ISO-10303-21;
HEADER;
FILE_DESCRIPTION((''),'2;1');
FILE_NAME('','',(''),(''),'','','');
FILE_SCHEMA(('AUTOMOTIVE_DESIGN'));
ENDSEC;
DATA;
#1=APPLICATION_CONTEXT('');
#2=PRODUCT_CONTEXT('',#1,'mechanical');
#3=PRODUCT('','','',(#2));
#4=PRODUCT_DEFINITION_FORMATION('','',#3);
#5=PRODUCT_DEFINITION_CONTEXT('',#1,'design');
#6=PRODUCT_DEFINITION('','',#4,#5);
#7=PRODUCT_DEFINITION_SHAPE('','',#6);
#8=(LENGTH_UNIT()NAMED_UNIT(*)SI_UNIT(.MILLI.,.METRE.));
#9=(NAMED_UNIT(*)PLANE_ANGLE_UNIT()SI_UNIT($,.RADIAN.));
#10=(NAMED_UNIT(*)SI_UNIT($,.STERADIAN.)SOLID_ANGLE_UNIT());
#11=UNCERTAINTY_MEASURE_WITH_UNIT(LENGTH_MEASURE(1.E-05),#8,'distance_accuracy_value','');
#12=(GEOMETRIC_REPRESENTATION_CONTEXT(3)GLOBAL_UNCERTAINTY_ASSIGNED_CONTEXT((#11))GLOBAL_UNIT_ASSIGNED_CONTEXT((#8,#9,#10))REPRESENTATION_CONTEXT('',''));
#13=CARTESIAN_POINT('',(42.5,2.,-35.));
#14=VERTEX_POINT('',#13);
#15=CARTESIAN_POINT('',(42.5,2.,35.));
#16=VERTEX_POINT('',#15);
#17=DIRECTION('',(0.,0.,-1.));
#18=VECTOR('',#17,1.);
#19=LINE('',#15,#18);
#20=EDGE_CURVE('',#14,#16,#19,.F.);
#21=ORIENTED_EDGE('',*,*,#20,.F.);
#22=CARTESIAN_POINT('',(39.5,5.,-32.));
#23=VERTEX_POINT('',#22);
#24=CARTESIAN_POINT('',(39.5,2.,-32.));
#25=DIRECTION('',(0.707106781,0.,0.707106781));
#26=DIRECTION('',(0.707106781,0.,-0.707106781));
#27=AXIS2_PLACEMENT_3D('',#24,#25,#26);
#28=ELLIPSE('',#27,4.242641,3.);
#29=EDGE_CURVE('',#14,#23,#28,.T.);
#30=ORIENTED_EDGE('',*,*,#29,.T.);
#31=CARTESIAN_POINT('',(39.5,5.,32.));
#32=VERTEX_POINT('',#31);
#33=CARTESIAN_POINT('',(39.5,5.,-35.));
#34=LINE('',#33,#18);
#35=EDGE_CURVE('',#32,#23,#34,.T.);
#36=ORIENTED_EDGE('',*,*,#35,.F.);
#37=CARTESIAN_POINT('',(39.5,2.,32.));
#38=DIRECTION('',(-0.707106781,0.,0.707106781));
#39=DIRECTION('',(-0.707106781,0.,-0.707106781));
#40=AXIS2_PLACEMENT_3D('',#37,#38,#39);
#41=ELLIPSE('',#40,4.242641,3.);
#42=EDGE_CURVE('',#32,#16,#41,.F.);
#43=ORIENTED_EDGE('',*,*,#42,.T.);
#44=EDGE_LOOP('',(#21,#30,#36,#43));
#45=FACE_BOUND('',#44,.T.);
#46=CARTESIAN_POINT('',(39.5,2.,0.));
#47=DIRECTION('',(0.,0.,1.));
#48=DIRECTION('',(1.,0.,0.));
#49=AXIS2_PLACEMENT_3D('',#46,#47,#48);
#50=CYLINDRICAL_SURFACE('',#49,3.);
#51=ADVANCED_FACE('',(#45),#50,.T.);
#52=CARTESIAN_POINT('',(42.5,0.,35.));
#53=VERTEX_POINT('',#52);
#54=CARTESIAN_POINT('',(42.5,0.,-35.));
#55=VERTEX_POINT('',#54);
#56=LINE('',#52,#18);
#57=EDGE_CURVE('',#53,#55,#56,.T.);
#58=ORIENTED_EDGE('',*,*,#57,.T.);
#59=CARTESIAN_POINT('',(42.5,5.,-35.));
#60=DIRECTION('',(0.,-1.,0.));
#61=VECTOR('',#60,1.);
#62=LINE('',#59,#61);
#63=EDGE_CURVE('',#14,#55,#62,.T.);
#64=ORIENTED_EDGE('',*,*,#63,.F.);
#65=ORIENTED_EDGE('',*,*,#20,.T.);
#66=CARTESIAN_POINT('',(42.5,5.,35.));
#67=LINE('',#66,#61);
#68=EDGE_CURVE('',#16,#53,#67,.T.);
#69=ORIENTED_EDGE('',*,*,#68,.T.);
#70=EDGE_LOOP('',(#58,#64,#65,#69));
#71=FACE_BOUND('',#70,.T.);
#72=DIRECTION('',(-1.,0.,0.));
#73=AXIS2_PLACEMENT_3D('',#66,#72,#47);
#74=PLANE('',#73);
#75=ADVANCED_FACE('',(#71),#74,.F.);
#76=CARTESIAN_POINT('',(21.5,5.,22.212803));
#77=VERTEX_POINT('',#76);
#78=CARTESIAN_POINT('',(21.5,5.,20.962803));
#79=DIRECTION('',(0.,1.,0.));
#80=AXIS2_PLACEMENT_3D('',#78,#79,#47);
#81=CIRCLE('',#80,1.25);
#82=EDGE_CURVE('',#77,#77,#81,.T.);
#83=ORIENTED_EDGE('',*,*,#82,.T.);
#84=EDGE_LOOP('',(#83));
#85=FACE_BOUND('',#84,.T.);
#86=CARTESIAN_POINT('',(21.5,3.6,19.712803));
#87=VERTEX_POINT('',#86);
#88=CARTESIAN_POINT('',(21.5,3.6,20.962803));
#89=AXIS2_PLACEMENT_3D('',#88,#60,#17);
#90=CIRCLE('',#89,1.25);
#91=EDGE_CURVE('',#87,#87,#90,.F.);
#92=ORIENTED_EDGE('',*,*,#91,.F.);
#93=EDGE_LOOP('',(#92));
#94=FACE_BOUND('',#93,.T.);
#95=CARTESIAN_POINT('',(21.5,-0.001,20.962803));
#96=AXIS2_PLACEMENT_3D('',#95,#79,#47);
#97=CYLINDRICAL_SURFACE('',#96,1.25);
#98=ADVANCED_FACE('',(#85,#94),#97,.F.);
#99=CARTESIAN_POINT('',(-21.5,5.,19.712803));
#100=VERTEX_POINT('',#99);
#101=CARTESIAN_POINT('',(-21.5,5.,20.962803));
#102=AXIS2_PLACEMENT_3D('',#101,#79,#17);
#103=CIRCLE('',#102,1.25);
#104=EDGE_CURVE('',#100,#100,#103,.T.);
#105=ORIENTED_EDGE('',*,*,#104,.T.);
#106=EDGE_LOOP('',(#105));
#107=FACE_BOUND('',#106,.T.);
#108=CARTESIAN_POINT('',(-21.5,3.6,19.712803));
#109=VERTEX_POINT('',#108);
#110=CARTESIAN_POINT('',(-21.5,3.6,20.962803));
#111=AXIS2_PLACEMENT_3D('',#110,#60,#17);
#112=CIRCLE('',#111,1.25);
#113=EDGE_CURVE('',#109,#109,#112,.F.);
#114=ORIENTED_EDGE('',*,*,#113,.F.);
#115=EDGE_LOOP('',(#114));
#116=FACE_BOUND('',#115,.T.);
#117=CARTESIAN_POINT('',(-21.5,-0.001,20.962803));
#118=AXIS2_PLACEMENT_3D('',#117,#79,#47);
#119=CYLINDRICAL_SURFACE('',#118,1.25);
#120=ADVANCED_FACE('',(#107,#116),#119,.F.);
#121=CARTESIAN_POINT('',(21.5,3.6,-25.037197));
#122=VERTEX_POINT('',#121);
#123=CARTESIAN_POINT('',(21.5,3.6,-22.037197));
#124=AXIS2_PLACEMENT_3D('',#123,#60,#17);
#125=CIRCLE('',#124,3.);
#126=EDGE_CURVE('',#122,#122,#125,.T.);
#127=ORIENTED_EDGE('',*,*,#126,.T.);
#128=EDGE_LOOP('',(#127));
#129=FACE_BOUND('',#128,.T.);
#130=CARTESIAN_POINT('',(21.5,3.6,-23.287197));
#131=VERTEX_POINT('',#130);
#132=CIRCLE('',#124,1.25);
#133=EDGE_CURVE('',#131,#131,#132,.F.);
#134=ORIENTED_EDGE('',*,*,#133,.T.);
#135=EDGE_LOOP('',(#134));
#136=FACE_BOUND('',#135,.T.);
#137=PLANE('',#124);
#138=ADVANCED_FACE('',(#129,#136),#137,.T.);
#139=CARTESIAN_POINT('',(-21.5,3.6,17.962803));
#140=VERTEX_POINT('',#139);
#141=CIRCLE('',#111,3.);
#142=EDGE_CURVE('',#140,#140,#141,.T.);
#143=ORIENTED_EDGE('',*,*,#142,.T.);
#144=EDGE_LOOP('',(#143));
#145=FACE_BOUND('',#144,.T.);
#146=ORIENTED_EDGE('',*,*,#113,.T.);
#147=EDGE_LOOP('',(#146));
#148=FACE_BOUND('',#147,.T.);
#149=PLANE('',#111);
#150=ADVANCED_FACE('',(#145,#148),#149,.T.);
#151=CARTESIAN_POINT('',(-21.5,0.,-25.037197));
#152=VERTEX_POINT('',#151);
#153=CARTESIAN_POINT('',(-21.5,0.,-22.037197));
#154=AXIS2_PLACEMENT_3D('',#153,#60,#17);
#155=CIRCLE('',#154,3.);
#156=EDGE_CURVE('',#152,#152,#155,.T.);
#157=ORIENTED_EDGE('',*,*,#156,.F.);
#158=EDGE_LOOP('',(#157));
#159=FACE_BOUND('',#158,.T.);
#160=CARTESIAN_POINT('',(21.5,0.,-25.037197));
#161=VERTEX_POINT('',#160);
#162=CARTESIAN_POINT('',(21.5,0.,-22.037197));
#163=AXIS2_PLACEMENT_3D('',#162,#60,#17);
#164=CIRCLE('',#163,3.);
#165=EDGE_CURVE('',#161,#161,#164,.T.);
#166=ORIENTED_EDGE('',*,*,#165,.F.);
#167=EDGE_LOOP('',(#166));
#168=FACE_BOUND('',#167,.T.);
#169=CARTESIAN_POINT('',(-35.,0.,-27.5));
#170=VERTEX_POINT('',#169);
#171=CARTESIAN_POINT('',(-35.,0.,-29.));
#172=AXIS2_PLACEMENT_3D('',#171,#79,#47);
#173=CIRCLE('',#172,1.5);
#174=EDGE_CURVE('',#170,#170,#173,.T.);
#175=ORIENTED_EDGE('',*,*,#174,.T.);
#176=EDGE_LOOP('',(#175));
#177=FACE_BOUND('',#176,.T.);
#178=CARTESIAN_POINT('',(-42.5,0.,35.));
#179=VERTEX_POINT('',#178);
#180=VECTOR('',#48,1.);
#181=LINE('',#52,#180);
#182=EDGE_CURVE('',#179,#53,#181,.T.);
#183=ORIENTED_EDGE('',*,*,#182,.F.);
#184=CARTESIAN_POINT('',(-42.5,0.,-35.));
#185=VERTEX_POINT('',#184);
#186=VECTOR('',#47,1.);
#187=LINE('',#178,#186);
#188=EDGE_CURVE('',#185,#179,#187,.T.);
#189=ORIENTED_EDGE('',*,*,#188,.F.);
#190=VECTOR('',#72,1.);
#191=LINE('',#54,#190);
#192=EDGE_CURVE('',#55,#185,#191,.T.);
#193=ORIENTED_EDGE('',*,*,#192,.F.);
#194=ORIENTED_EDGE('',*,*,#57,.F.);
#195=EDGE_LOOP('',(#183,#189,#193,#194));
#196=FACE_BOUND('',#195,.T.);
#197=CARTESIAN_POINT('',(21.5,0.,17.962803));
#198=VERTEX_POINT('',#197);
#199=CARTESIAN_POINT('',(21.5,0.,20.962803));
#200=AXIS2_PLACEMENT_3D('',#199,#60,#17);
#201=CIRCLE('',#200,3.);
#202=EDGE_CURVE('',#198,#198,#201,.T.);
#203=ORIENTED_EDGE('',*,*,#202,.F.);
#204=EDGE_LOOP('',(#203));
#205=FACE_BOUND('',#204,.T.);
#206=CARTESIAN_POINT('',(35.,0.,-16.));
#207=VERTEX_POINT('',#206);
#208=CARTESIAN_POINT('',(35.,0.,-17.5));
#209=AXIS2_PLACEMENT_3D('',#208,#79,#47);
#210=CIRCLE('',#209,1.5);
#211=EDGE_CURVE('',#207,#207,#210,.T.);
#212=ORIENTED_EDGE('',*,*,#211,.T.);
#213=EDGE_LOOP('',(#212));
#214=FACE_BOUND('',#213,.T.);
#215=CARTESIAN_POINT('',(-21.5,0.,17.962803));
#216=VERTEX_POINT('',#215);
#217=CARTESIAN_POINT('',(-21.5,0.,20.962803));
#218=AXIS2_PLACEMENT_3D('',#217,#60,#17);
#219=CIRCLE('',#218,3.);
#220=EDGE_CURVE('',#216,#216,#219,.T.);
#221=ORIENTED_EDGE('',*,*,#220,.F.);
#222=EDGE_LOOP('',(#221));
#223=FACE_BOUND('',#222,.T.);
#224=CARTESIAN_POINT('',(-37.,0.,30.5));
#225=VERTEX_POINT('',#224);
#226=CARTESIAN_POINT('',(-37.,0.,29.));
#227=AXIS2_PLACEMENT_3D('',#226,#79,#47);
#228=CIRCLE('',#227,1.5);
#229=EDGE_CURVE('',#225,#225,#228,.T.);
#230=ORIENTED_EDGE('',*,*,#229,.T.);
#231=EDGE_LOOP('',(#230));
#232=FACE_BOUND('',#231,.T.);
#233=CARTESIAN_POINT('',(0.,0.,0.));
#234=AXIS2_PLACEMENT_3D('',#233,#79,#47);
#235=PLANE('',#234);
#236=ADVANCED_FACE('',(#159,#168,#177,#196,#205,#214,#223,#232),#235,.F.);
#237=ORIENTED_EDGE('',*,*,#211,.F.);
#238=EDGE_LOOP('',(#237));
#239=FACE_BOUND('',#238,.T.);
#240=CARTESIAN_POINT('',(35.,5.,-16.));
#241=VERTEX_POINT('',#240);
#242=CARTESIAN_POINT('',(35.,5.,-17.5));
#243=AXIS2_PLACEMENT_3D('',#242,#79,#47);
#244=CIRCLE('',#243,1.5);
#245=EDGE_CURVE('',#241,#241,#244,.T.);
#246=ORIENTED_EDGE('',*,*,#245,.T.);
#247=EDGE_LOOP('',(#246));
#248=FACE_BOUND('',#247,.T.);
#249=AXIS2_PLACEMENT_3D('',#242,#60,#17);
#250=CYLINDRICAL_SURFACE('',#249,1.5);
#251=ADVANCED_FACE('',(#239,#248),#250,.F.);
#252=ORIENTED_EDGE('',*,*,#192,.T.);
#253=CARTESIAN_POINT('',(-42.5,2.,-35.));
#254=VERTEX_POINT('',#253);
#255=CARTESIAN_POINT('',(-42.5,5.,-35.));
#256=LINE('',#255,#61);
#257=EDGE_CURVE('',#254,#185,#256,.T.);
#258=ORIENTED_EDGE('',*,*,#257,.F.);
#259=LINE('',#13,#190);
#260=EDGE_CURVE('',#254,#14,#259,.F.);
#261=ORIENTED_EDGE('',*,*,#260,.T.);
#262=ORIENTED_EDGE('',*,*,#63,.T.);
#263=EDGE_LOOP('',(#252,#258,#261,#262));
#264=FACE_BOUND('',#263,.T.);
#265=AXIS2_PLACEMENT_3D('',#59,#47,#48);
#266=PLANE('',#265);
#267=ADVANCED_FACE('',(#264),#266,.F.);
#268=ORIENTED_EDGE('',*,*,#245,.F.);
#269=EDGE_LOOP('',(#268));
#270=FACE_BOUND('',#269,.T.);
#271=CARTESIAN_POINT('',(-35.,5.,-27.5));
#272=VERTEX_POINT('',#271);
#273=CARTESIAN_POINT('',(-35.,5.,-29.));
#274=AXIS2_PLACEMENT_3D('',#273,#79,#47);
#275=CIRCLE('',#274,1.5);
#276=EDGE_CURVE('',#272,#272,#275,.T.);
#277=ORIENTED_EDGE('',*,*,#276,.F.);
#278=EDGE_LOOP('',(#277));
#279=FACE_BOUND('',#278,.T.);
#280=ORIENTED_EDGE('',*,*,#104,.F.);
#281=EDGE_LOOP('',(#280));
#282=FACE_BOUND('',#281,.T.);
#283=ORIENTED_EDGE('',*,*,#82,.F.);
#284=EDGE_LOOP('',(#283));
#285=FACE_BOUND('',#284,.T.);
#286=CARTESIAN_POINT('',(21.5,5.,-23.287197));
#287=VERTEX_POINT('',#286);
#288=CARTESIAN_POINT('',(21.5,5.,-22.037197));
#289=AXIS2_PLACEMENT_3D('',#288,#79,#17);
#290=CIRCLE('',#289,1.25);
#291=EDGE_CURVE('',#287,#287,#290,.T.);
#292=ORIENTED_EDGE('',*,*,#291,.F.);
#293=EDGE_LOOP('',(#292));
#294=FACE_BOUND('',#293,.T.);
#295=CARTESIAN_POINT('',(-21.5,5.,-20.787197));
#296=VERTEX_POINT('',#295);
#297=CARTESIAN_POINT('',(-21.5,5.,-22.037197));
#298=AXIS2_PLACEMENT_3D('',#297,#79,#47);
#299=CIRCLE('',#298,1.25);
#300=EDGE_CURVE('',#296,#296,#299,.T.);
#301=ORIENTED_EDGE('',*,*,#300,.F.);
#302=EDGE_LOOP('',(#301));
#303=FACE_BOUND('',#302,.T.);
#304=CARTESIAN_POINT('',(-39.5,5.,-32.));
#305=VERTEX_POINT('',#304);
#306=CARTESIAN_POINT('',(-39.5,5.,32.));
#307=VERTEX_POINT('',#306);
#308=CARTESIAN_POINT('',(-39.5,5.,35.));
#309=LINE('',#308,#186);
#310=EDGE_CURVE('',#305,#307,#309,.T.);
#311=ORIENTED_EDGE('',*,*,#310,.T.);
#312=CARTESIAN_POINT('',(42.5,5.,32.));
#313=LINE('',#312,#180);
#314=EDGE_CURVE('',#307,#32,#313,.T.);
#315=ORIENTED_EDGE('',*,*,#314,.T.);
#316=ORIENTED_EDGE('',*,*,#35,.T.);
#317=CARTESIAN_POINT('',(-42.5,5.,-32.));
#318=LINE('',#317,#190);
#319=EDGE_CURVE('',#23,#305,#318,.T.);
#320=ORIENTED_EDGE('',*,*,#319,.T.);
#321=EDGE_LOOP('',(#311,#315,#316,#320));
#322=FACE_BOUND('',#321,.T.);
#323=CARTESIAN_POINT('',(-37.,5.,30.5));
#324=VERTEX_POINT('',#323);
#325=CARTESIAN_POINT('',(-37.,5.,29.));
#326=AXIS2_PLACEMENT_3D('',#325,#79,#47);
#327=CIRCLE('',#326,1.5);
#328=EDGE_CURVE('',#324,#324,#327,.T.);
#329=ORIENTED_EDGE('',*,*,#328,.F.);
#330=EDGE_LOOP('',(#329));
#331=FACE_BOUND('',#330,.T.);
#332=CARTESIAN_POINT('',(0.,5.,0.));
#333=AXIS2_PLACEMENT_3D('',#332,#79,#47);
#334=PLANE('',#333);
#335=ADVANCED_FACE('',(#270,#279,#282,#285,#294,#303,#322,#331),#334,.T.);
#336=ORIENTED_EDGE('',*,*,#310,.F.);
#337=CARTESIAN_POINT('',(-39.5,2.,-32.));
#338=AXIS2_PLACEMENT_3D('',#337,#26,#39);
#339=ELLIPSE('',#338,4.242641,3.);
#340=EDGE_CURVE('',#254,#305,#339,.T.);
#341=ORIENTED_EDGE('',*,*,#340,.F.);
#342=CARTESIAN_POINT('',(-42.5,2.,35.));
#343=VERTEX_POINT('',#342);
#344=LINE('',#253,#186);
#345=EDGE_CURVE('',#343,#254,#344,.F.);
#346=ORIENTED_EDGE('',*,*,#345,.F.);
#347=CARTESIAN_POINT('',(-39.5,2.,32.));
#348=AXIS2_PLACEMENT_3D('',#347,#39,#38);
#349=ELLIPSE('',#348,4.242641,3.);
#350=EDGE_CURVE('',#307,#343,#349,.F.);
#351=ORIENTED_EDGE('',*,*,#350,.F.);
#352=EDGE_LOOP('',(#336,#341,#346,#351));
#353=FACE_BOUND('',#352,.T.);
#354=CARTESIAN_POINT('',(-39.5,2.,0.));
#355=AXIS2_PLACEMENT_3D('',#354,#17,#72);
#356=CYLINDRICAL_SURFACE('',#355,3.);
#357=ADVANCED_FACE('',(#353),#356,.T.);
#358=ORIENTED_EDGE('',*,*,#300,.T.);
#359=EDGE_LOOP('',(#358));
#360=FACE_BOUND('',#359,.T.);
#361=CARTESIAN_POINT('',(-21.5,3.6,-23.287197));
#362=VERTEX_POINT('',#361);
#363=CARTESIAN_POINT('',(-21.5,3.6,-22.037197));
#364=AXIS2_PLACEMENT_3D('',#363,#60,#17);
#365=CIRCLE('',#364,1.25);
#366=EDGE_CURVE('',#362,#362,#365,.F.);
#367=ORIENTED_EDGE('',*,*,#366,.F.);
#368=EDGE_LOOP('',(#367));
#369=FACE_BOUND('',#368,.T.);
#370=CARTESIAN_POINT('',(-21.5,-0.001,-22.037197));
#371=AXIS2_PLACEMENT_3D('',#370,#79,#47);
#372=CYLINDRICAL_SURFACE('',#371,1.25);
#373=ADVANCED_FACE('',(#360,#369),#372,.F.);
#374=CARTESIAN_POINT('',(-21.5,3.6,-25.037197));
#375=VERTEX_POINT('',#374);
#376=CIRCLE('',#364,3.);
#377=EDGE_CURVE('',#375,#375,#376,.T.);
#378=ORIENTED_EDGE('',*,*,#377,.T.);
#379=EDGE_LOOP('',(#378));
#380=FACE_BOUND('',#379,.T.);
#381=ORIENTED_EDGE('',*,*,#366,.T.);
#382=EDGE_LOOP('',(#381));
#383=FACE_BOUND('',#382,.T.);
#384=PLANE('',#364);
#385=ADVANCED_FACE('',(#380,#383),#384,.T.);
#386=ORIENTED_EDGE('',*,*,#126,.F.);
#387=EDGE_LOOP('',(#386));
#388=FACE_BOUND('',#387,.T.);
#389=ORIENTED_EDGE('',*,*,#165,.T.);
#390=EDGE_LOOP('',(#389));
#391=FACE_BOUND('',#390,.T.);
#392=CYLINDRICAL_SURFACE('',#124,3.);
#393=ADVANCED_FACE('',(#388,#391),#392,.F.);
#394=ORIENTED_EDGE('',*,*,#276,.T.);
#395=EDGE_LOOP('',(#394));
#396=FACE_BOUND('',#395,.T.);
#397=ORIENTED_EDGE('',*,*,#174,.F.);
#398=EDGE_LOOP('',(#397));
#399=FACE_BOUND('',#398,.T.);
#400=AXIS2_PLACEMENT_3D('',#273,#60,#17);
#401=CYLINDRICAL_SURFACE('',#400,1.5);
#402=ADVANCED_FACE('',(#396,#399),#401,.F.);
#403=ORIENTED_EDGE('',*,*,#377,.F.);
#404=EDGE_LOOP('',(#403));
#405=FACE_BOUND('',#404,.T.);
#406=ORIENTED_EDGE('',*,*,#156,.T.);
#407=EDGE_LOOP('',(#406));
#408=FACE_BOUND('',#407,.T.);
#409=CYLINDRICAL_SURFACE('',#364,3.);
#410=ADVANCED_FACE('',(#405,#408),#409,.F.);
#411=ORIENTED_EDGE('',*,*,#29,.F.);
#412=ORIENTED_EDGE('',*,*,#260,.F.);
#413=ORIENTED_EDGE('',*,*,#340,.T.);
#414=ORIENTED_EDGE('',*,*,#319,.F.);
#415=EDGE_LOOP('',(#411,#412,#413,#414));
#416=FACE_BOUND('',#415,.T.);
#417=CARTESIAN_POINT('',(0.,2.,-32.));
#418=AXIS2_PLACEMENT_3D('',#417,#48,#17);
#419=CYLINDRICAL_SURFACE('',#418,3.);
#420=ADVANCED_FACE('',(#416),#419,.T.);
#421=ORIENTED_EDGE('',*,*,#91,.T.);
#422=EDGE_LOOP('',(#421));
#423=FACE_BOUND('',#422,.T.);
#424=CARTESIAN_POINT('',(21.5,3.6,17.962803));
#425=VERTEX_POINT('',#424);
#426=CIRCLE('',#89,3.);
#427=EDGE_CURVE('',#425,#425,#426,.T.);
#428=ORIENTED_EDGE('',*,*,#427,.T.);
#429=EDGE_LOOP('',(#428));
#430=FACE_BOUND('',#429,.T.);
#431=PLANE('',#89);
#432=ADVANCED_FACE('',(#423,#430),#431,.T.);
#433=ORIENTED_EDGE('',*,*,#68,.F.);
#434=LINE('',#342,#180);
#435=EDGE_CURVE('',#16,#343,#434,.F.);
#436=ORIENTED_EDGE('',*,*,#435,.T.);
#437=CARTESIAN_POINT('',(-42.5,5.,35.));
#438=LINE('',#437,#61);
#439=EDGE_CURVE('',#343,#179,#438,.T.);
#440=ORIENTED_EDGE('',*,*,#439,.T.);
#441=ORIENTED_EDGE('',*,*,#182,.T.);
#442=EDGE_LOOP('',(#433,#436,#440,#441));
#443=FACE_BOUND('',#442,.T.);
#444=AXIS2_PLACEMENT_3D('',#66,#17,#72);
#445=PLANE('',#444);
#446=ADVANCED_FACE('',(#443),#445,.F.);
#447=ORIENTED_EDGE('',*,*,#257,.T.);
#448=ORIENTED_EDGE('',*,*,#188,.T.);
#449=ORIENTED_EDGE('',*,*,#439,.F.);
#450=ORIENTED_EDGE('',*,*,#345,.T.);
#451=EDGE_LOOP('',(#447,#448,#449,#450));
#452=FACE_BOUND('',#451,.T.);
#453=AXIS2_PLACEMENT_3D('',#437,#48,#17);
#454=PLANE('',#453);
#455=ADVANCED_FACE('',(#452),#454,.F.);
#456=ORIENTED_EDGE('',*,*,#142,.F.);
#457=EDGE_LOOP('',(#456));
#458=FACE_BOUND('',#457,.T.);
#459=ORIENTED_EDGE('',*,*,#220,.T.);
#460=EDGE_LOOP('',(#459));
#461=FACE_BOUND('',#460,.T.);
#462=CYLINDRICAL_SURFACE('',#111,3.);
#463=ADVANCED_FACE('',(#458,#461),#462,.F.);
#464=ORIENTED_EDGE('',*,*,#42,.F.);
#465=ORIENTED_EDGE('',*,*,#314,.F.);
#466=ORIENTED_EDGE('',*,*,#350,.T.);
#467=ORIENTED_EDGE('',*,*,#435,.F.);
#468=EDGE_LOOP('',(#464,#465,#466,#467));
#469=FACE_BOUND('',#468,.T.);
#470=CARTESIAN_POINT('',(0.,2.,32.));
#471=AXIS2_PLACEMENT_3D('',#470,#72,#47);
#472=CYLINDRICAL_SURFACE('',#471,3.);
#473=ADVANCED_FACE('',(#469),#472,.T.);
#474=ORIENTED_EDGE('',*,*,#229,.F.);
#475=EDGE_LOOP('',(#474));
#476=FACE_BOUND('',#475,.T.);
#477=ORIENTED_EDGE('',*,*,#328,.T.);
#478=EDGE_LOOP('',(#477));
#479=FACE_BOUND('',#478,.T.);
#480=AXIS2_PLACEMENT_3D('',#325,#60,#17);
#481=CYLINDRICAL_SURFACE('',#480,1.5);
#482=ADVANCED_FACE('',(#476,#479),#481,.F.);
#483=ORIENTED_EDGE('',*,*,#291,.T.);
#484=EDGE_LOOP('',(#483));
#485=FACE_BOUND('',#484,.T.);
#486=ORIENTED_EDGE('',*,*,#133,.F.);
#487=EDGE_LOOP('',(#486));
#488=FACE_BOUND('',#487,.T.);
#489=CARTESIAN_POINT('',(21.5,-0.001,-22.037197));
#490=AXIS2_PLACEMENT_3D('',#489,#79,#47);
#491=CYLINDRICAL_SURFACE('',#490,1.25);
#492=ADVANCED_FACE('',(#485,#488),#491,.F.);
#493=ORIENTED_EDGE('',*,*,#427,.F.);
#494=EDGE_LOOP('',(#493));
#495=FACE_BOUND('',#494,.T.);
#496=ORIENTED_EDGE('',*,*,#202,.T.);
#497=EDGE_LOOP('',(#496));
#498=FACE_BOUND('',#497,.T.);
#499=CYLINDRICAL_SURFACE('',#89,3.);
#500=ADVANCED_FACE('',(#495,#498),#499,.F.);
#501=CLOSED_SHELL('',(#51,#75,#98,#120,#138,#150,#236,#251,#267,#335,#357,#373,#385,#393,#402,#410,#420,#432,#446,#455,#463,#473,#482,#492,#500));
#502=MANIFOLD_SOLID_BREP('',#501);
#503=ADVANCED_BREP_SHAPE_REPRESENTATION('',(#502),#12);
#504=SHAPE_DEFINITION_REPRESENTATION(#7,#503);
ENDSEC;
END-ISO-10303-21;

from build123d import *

# Parameters (mm, degrees)
SKETCH1_W           = 85
SKETCH1_H           = 70
SKETCH1_R           = 1.5
BOSS_EXTRUDE1_DEPTH = 5
CUT_EXTRUDE1_REACH  = 57.283
SKETCH3_R           = 1.25
SKETCH4_R           = 3
CUT_EXTRUDE2_DEPTH  = 3.6
FILLET2_R           = 3


with BuildPart() as part:
    # Sketch1 → Boss-Extrude1 (new body)
    with BuildSketch(Plane(origin=(0, 0, 0), x_dir=(1, 0, 0), z_dir=(0, 1, 0))):
        Rectangle(SKETCH1_W, SKETCH1_H)
        with Locations(Location((-35, 29, 0), (0, 0, 270))):
            Circle(SKETCH1_R, mode=Mode.SUBTRACT)
        with Locations(Location((-37, -29, 0), (0, 0, 270))):
            Circle(SKETCH1_R, mode=Mode.SUBTRACT)
        with Locations(Location((35, 17.5, 0), (0, 0, 270))):
            Circle(SKETCH1_R, mode=Mode.SUBTRACT)
    extrude(amount=BOSS_EXTRUDE1_DEPTH)

    # Sketch3 → Cut-Extrude1 (cut, up to next)
    with BuildSketch(Plane(origin=(0, 5, 0), x_dir=(1, 0, 0), z_dir=(0, 1, 0)), mode=Mode.PRIVATE) as cut_extrude1_sk1:
        with Locations(Location((-21.5, 22.037196785, 0), (0, 0, 270))):
            Circle(SKETCH3_R)
    cut_extrude1_tool1 = extrude(cut_extrude1_sk1.sketch, amount=-CUT_EXTRUDE1_REACH, mode=Mode.PRIVATE) & part.part
    # Sketch3 → Cut-Extrude1 (cut, up to next)
    with BuildSketch(Plane(origin=(0, 5, 0), x_dir=(1, 0, 0), z_dir=(0, 1, 0)), mode=Mode.PRIVATE) as cut_extrude1_sk2:
        with Locations(Location((21.5, 22.037196785, 0), (0, 0, 270))):
            Circle(SKETCH3_R)
    cut_extrude1_tool2 = extrude(cut_extrude1_sk2.sketch, amount=-CUT_EXTRUDE1_REACH, mode=Mode.PRIVATE) & part.part
    # Sketch3 → Cut-Extrude1 (cut, up to next)
    with BuildSketch(Plane(origin=(0, 5, 0), x_dir=(1, 0, 0), z_dir=(0, 1, 0)), mode=Mode.PRIVATE) as cut_extrude1_sk3:
        with Locations(Location((-21.5, -20.962803215, 0), (0, 0, 270))):
            Circle(SKETCH3_R)
    cut_extrude1_tool3 = extrude(cut_extrude1_sk3.sketch, amount=-CUT_EXTRUDE1_REACH, mode=Mode.PRIVATE) & part.part
    # Sketch3 → Cut-Extrude1 (cut, up to next)
    with BuildSketch(Plane(origin=(0, 5, 0), x_dir=(1, 0, 0), z_dir=(0, 1, 0)), mode=Mode.PRIVATE) as cut_extrude1_sk4:
        with Locations(Location((21.5, -20.962803215, 0), (0, 0, 270))):
            Circle(SKETCH3_R)
    cut_extrude1_tool4 = extrude(cut_extrude1_sk4.sketch, amount=-CUT_EXTRUDE1_REACH, mode=Mode.PRIVATE) & part.part
    add(cut_extrude1_tool1.solids().sort_by_distance((-21.5, 5, -22.037197))[0], mode=Mode.SUBTRACT)
    add(cut_extrude1_tool2.solids().sort_by_distance((21.5, 5, -22.037197))[0], mode=Mode.SUBTRACT)
    add(cut_extrude1_tool3.solids().sort_by_distance((-21.5, 5, 20.962803))[0], mode=Mode.SUBTRACT)
    add(cut_extrude1_tool4.solids().sort_by_distance((21.5, 5, 20.962803))[0], mode=Mode.SUBTRACT)

    # Sketch4 → Cut-Extrude2 (cut)
    with BuildSketch(Plane.XZ):
        with Locations(Location((-21.5, 20.962803215, 0), (0, 0, 270))):
            Circle(SKETCH4_R)
        with Locations(Location((21.5, 20.962803215, 0), (0, 0, 270))):
            Circle(SKETCH4_R)
        with Locations(Location((21.5, -22.037196785, 0), (0, 0, 270))):
            Circle(SKETCH4_R)
        with Locations(Location((-21.5, -22.037196785, 0), (0, 0, 270))):
            Circle(SKETCH4_R)
    extrude(amount=-CUT_EXTRUDE2_DEPTH, mode=Mode.SUBTRACT)

    # Fillet2
    fillet2_edges = [part.edges().sort_by_distance(p)[0] for p in [
        (42.5, 5, 0),
        (0, 5, -35),
        (-42.5, 5, 0),
        (0, 5, 35),
    ]]
    fillet(fillet2_edges, radius=FILLET2_R)


solid = part.part
